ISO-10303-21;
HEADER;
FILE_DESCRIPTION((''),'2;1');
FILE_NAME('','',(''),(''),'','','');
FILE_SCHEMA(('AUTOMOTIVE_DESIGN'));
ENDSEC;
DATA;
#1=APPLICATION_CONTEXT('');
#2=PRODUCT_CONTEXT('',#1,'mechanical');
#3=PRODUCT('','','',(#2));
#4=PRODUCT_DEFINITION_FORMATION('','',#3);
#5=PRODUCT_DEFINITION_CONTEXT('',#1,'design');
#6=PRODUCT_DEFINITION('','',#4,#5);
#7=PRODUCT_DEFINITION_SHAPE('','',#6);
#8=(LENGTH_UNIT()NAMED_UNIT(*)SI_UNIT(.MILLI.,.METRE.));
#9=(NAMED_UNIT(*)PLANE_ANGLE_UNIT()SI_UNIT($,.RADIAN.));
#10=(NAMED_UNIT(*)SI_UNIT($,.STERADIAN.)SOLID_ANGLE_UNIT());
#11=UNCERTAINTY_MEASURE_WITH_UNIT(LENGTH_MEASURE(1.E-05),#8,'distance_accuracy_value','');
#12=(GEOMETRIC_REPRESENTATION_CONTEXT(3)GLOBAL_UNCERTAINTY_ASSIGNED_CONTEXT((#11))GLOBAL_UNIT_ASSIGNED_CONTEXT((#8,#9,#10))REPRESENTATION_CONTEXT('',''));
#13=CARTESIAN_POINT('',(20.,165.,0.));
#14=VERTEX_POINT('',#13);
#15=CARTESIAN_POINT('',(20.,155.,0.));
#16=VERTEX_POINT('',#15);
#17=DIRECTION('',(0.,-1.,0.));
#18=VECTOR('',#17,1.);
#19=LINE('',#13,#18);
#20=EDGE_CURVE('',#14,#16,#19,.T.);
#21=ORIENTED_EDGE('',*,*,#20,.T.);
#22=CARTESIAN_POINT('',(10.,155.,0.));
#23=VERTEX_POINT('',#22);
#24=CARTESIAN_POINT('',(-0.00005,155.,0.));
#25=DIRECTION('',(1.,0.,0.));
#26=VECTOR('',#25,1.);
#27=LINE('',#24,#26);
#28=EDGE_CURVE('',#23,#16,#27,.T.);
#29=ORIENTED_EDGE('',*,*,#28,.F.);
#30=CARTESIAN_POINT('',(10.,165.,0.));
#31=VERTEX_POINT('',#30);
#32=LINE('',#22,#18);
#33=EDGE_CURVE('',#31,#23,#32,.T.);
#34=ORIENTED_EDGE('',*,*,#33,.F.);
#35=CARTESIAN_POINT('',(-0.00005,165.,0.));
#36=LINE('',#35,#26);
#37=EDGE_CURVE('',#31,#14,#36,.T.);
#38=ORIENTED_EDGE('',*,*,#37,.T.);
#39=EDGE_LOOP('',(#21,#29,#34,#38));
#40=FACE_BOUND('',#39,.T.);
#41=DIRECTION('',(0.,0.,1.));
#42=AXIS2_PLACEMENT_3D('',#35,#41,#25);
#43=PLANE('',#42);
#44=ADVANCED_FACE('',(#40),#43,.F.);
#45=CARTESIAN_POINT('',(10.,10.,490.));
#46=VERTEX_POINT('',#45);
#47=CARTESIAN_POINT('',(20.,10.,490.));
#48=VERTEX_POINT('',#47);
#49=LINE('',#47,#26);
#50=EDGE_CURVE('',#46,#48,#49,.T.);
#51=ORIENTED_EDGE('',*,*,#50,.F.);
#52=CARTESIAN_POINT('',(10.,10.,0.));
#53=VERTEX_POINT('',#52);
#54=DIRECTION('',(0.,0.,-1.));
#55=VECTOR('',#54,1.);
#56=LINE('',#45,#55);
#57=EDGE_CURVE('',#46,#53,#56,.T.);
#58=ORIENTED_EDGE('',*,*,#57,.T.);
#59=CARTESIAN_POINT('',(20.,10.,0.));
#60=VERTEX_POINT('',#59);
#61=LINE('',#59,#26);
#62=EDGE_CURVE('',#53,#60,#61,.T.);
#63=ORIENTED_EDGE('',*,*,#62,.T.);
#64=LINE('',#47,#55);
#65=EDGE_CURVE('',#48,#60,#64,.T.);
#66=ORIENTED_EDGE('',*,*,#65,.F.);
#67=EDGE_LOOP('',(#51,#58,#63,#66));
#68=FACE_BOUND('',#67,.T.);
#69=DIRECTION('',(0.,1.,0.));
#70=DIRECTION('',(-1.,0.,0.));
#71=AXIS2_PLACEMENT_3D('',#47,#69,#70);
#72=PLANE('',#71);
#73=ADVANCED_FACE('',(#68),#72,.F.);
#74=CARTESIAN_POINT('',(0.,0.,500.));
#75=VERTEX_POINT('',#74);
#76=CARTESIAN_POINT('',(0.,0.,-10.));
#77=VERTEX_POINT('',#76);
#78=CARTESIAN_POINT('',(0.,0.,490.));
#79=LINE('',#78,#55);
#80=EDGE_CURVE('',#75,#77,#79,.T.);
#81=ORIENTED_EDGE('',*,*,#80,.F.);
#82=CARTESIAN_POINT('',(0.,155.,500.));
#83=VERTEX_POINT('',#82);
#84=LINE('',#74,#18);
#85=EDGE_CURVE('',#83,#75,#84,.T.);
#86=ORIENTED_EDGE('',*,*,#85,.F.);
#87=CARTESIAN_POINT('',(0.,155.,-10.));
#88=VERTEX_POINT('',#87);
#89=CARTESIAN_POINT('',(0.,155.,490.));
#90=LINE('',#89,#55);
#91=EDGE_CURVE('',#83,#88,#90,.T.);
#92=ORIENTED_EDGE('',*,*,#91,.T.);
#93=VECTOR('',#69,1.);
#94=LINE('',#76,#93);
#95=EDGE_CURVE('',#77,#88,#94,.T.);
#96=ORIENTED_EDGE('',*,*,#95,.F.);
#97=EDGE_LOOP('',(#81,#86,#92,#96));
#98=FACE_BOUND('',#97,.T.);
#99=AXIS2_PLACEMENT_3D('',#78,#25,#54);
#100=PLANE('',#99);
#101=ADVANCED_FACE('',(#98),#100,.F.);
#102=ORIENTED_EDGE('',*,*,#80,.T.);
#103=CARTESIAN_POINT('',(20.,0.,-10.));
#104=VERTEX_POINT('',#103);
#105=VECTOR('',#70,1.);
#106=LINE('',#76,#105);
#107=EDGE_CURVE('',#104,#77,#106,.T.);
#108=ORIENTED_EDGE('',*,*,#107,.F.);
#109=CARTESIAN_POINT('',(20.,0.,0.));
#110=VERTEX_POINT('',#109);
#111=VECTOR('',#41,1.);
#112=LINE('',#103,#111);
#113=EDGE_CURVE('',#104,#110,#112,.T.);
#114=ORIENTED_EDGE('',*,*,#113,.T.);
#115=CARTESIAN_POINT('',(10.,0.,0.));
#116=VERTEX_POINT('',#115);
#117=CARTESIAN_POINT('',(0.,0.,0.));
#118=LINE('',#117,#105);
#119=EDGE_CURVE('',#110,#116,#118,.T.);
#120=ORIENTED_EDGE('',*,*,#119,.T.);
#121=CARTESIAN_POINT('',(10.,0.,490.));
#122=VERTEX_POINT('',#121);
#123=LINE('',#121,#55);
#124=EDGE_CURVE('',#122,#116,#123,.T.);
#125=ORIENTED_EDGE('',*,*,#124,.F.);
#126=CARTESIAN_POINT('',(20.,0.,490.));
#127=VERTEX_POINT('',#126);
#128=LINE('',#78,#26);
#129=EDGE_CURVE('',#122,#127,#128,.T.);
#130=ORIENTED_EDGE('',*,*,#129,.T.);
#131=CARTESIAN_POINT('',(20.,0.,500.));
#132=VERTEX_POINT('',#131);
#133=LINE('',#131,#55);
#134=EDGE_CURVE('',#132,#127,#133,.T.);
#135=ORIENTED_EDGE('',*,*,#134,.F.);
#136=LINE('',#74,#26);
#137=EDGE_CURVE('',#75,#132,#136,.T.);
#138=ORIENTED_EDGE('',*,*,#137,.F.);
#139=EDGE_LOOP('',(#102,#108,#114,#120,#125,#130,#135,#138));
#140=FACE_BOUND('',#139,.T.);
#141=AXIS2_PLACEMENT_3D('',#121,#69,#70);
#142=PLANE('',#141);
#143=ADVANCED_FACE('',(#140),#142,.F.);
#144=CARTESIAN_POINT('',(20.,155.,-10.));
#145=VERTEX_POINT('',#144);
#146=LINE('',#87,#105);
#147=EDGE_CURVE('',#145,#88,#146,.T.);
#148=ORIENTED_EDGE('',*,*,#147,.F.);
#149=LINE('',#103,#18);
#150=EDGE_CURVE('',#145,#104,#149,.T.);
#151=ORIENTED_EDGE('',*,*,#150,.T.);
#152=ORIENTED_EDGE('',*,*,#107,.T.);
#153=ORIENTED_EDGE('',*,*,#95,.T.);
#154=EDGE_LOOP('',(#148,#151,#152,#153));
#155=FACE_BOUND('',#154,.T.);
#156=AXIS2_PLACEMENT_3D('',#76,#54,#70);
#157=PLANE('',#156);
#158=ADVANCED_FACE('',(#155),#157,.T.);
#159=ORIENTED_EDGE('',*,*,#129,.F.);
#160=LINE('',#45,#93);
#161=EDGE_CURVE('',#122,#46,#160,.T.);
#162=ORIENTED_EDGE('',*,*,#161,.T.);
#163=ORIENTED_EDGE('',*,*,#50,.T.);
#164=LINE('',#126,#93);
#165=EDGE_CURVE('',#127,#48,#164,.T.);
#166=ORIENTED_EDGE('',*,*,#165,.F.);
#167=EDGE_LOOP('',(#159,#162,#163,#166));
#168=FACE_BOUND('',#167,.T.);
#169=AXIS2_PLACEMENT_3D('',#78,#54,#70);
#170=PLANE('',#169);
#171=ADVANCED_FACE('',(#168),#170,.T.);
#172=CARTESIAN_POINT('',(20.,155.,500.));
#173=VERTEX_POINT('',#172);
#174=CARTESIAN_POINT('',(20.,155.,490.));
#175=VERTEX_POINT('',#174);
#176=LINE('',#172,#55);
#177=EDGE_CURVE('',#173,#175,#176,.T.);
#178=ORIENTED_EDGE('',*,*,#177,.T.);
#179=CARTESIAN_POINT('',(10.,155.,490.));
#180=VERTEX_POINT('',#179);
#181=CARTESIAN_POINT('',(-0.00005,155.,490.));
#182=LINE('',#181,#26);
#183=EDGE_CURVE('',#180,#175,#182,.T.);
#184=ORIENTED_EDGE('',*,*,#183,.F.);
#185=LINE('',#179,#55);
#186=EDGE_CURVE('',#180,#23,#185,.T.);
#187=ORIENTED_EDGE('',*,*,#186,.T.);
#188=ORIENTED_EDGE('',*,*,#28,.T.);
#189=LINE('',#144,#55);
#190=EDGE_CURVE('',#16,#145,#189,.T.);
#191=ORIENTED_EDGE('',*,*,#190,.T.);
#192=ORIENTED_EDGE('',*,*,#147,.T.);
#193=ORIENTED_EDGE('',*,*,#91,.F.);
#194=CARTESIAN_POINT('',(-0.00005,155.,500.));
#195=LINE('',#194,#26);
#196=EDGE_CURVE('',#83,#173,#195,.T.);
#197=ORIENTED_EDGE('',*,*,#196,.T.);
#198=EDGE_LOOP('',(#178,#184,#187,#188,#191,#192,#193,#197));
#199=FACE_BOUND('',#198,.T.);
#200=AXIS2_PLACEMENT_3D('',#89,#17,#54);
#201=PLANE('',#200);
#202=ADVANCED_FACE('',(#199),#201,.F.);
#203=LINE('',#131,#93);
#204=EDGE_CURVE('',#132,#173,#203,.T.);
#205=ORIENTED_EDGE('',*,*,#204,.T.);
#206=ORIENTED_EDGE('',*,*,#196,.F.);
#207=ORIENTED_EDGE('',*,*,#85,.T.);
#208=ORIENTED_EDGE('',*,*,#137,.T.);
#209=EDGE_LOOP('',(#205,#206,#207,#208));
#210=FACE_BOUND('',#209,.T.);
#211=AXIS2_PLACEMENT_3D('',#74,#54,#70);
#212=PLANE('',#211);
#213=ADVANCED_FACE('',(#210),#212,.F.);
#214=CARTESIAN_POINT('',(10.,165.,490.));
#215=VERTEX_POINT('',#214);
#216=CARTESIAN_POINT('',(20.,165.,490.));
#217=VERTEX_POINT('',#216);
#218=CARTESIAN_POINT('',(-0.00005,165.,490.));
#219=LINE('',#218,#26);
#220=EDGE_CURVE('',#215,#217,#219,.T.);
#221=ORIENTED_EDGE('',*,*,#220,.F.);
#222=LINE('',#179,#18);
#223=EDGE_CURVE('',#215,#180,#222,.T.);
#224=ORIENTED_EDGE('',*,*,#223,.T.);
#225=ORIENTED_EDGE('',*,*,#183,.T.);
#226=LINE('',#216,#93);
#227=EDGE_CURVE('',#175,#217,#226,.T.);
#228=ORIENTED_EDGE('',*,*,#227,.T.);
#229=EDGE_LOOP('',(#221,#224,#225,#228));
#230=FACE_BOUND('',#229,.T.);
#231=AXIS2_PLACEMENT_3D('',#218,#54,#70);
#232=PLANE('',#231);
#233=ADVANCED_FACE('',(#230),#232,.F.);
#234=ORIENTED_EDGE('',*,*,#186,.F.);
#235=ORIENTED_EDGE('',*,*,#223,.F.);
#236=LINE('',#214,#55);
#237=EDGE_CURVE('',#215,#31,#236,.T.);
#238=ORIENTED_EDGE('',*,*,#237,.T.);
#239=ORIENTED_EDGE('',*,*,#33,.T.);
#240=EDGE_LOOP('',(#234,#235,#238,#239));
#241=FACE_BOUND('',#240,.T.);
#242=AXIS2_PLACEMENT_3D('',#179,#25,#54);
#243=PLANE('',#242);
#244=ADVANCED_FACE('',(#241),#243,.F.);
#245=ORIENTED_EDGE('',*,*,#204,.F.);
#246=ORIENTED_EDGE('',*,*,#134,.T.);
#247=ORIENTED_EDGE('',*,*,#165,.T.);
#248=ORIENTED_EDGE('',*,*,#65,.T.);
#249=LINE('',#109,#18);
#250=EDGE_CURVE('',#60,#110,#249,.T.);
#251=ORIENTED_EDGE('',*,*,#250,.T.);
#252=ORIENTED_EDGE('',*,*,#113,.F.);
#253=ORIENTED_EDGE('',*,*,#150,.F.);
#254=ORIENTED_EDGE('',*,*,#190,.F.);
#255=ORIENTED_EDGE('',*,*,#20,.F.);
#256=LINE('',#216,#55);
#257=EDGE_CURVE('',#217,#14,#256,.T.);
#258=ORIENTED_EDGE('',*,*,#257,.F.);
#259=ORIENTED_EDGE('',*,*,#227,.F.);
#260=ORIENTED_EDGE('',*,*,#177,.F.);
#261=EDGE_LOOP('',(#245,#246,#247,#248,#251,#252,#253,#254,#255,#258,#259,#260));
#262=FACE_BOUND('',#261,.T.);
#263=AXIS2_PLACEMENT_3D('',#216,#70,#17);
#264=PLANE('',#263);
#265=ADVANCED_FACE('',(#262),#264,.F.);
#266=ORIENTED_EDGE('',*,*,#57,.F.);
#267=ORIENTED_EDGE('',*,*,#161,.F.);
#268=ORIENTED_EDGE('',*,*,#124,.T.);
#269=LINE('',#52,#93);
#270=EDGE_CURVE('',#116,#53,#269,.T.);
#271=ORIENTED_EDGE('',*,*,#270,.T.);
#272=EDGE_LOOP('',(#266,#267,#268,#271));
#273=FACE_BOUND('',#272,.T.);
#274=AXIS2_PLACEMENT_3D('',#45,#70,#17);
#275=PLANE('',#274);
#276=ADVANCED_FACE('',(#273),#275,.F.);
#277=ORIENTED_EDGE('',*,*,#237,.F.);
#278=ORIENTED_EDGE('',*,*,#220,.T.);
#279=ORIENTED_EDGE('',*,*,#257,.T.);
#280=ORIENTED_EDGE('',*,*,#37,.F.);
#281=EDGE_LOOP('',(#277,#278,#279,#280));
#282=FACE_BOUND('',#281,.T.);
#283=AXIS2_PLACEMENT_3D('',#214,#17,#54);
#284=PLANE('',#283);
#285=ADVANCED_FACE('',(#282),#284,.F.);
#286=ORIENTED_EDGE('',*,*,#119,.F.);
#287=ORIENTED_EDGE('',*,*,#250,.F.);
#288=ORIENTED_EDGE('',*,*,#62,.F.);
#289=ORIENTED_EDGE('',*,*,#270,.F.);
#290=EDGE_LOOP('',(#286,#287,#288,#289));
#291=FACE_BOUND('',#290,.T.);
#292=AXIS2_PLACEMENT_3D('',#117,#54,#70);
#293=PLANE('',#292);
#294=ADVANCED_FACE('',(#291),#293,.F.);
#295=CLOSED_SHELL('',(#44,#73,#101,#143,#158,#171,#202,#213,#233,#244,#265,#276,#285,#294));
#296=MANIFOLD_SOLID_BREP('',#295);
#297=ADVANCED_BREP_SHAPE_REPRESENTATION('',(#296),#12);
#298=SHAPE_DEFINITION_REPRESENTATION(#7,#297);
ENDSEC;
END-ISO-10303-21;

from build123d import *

# Parameters (mm, degrees)
EXTRUDE_1_DEPTH     = 490
SKETCH_2_W          = 20
SKETCH_2_H          = 165
EXTRUDE_2_DEPTH     = 10
SKETCH_3_W          = 20
SKETCH_3_H          = 165
EXTRUDE_3_DEPTH     = 10
SKETCH_4_W          = 10
SKETCH_4_H          = 10
CUT_EXTRUDE_1_DEPTH = 527.901319034


with BuildPart() as part:
    # Эскиз1 → Бобышка-Вытянуть1 (new body)
    with BuildSketch(Plane.XY):
        Polygon((0, 0), (0, 155), (10, 155), (10, 165), (20, 165), (20, 10), (10, 10), (10, 0), align=None)
    extrude(amount=EXTRUDE_1_DEPTH)

    # Эскиз2 → Бобышка-Вытянуть2 (add)
    with BuildSketch(Plane.XY.offset(490)):
        with Locations((10, 82.5)):
            Rectangle(SKETCH_2_W, SKETCH_2_H)
    extrude(amount=EXTRUDE_2_DEPTH)

    # Эскиз3 → Бобышка-Вытянуть3 (add)
    with BuildSketch(Plane(origin=(0, 0, 0), x_dir=(-1, 0, 0), z_dir=(0, 0, -1))):
        with Locations((-10, 82.5)):
            Rectangle(SKETCH_3_W, SKETCH_3_H)
    extrude(amount=EXTRUDE_3_DEPTH)

    # Эскиз4 → Вырез-Вытянуть1 (cut, through all)
    with BuildSketch(Plane(origin=(20, 0, 0), x_dir=(0, 0, -1), z_dir=(1, 0, 0))):
        with Locations((-495, 160)):
            Rectangle(SKETCH_4_W, SKETCH_4_H)
        with Locations((5, 160)):
            Rectangle(SKETCH_4_W, SKETCH_4_H)
    extrude(amount=-CUT_EXTRUDE_1_DEPTH, mode=Mode.SUBTRACT)


solid = part.part
